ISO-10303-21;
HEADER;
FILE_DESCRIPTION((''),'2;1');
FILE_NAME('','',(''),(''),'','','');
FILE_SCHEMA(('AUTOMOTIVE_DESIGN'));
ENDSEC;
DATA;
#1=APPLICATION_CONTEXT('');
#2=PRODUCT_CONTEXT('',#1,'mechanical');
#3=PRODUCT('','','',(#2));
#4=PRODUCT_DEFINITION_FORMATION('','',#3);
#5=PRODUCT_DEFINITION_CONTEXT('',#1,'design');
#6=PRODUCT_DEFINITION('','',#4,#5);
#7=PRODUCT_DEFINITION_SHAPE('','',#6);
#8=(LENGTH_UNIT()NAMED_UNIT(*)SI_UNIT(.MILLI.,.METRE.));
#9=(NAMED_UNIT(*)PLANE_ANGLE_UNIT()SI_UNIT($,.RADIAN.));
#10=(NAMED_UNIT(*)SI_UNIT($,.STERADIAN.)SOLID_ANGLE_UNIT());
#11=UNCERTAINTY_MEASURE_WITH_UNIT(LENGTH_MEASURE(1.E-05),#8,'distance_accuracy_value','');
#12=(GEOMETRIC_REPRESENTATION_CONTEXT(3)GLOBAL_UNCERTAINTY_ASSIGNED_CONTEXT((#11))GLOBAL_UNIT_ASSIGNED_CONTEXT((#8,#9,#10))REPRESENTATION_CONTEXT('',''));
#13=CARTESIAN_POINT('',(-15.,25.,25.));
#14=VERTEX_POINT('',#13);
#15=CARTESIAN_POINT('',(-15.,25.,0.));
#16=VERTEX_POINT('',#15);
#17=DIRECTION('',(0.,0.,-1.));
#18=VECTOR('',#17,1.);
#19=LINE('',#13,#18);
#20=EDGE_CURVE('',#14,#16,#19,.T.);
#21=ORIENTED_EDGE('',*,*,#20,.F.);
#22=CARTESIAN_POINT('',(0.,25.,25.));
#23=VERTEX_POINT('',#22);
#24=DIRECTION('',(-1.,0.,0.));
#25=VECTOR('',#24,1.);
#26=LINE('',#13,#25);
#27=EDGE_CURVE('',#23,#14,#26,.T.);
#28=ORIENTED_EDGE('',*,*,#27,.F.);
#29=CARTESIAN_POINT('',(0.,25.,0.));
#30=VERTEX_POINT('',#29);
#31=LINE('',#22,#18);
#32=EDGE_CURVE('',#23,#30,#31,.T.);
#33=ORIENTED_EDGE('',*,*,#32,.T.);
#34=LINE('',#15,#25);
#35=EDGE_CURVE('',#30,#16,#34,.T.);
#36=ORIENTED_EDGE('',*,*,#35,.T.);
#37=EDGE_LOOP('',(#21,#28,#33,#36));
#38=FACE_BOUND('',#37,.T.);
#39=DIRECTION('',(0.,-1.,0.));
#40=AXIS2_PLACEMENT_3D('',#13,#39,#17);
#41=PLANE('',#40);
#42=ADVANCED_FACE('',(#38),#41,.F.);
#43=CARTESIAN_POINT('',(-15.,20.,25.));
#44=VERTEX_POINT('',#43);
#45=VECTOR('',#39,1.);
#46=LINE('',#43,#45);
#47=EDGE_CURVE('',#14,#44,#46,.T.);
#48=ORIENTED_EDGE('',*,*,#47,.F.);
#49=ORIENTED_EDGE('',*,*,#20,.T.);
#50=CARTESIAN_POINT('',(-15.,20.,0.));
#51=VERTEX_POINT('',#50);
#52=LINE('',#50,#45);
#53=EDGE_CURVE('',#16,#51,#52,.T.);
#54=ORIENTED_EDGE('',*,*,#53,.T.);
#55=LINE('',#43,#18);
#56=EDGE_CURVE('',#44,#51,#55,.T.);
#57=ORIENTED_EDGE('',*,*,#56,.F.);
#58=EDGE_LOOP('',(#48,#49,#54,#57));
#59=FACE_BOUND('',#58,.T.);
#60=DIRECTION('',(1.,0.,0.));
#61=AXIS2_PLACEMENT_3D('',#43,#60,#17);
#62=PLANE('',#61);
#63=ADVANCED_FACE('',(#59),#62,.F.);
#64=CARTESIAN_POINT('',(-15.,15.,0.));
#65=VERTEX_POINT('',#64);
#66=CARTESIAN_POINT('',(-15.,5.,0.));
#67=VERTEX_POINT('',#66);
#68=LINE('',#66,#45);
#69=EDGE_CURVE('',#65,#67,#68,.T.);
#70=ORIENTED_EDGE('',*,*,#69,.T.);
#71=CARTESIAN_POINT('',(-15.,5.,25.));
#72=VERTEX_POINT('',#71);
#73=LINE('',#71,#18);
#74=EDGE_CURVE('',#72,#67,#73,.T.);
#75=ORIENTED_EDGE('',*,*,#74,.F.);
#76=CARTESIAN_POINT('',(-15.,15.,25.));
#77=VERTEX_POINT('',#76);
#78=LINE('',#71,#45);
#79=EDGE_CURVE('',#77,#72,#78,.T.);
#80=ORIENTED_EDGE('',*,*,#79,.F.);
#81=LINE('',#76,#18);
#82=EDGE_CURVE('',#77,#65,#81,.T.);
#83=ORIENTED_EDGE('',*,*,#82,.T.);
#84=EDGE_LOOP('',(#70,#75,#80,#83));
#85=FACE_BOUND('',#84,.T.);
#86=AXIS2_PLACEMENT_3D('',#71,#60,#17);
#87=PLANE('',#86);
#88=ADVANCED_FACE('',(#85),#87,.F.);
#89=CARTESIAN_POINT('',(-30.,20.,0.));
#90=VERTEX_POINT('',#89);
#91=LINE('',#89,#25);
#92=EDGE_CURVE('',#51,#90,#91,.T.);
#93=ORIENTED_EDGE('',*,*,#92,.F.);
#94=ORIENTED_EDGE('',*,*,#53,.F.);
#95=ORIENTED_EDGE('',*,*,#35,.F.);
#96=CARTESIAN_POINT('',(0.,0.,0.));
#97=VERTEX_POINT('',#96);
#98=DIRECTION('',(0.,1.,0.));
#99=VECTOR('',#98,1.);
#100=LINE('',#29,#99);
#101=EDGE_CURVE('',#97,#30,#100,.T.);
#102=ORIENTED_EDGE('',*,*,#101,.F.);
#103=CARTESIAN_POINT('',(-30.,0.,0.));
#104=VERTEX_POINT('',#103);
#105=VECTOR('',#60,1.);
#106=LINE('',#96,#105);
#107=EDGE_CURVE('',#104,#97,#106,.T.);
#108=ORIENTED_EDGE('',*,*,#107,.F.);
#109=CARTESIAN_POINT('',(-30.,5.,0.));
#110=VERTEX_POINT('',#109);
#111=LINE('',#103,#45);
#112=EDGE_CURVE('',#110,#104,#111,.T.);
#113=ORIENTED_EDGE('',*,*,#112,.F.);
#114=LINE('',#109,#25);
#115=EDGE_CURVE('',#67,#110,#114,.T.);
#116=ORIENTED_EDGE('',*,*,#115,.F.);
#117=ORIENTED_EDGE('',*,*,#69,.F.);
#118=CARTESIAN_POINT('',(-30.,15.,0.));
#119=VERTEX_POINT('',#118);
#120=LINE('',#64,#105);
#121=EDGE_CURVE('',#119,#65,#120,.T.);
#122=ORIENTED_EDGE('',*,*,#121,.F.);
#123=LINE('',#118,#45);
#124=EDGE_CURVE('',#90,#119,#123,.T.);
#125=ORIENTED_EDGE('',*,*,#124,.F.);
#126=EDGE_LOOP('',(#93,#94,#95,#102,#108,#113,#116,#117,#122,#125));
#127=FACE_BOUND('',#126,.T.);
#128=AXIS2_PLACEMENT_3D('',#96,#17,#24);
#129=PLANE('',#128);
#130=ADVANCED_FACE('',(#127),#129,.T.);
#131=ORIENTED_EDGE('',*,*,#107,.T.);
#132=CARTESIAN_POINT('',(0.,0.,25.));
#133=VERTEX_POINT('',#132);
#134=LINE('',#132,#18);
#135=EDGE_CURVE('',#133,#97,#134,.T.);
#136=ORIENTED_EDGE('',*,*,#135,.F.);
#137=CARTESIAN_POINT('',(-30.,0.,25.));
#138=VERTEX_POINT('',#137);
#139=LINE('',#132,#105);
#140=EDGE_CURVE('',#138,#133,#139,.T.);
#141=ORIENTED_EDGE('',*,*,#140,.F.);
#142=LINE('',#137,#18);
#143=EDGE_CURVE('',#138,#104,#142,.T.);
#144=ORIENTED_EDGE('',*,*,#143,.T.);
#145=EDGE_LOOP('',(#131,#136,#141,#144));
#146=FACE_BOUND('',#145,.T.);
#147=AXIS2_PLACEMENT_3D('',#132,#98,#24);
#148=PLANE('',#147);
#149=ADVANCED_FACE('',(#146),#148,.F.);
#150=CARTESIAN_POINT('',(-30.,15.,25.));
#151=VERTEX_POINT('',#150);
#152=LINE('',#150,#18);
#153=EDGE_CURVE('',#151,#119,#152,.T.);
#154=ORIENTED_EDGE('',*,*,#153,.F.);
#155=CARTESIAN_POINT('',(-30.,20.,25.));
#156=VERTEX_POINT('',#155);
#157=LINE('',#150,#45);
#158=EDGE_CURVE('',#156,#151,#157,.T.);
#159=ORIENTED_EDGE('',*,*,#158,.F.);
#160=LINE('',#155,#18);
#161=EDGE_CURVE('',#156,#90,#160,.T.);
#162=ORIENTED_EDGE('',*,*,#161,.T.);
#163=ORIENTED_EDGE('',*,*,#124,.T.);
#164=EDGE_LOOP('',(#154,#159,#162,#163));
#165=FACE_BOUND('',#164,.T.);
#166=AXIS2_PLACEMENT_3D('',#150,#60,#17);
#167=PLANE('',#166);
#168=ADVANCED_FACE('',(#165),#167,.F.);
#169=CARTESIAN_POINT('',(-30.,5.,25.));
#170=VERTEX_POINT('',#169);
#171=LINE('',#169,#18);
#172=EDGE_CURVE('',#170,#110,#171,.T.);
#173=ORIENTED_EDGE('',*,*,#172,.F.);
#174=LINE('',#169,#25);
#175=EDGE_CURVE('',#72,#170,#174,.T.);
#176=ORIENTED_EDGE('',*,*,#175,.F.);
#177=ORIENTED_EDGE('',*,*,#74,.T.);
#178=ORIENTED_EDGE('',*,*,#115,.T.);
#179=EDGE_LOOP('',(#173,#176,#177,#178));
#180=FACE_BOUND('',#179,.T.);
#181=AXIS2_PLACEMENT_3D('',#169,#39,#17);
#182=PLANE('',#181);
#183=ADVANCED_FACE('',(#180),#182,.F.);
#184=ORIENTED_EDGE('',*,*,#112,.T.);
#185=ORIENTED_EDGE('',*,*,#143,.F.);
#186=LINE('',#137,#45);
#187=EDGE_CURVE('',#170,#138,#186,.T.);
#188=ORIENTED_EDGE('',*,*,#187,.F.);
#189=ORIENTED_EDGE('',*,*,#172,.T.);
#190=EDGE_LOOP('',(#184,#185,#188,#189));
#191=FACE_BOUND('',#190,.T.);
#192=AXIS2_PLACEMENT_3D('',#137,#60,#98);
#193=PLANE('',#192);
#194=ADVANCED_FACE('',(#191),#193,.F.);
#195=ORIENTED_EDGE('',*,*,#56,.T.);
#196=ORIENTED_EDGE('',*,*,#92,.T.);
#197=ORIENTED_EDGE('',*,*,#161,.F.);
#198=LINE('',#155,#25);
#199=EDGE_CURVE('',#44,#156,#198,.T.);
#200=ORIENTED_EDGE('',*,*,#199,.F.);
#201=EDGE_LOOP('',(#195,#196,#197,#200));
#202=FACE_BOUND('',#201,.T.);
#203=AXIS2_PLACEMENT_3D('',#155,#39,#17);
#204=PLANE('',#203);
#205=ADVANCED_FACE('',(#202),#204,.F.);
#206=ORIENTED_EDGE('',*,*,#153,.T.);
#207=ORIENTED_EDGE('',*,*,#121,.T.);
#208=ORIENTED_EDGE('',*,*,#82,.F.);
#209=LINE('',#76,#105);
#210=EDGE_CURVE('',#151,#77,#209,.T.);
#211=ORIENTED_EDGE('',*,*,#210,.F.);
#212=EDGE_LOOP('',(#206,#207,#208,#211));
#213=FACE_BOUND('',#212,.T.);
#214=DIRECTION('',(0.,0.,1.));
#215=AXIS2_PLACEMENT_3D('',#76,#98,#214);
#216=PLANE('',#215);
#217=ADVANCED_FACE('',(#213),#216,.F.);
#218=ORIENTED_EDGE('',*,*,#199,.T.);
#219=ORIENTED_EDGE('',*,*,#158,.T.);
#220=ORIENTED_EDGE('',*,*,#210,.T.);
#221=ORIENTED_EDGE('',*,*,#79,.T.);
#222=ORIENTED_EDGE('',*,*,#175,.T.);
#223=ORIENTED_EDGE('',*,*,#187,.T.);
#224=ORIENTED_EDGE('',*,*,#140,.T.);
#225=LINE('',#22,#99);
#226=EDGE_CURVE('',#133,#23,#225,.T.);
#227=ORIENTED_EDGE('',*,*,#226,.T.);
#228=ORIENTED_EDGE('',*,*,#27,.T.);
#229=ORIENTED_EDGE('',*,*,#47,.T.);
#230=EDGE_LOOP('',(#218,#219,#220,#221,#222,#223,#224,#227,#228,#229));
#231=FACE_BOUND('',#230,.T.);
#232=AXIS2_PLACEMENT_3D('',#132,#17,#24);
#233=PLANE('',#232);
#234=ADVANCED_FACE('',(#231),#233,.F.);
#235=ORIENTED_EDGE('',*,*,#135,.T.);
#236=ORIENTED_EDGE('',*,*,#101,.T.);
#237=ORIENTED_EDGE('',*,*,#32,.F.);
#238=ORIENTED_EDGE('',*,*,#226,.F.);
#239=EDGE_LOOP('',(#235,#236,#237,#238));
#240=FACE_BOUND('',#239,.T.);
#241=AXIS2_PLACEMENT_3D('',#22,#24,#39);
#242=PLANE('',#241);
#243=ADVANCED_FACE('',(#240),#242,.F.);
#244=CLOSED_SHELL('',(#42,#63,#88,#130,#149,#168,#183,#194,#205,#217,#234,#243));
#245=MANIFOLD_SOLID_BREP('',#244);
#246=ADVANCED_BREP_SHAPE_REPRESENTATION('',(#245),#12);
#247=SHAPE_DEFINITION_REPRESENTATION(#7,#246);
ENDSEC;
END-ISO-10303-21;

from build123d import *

# Parameters (mm, degrees)
BOSS_EXTRUDE1_DEPTH = 25


with BuildPart() as part:
    # Sketch1 → Boss-Extrude1 (new body)
    with BuildSketch(Plane.XY):
        Polygon((-30, 20), (-15, 20), (-15, 25), (0, 25), (0, 0), (-30, 0), (-30, 5), (-15, 5), (-15, 15), (-30, 15), align=None)
    extrude(amount=BOSS_EXTRUDE1_DEPTH)


solid = part.part
